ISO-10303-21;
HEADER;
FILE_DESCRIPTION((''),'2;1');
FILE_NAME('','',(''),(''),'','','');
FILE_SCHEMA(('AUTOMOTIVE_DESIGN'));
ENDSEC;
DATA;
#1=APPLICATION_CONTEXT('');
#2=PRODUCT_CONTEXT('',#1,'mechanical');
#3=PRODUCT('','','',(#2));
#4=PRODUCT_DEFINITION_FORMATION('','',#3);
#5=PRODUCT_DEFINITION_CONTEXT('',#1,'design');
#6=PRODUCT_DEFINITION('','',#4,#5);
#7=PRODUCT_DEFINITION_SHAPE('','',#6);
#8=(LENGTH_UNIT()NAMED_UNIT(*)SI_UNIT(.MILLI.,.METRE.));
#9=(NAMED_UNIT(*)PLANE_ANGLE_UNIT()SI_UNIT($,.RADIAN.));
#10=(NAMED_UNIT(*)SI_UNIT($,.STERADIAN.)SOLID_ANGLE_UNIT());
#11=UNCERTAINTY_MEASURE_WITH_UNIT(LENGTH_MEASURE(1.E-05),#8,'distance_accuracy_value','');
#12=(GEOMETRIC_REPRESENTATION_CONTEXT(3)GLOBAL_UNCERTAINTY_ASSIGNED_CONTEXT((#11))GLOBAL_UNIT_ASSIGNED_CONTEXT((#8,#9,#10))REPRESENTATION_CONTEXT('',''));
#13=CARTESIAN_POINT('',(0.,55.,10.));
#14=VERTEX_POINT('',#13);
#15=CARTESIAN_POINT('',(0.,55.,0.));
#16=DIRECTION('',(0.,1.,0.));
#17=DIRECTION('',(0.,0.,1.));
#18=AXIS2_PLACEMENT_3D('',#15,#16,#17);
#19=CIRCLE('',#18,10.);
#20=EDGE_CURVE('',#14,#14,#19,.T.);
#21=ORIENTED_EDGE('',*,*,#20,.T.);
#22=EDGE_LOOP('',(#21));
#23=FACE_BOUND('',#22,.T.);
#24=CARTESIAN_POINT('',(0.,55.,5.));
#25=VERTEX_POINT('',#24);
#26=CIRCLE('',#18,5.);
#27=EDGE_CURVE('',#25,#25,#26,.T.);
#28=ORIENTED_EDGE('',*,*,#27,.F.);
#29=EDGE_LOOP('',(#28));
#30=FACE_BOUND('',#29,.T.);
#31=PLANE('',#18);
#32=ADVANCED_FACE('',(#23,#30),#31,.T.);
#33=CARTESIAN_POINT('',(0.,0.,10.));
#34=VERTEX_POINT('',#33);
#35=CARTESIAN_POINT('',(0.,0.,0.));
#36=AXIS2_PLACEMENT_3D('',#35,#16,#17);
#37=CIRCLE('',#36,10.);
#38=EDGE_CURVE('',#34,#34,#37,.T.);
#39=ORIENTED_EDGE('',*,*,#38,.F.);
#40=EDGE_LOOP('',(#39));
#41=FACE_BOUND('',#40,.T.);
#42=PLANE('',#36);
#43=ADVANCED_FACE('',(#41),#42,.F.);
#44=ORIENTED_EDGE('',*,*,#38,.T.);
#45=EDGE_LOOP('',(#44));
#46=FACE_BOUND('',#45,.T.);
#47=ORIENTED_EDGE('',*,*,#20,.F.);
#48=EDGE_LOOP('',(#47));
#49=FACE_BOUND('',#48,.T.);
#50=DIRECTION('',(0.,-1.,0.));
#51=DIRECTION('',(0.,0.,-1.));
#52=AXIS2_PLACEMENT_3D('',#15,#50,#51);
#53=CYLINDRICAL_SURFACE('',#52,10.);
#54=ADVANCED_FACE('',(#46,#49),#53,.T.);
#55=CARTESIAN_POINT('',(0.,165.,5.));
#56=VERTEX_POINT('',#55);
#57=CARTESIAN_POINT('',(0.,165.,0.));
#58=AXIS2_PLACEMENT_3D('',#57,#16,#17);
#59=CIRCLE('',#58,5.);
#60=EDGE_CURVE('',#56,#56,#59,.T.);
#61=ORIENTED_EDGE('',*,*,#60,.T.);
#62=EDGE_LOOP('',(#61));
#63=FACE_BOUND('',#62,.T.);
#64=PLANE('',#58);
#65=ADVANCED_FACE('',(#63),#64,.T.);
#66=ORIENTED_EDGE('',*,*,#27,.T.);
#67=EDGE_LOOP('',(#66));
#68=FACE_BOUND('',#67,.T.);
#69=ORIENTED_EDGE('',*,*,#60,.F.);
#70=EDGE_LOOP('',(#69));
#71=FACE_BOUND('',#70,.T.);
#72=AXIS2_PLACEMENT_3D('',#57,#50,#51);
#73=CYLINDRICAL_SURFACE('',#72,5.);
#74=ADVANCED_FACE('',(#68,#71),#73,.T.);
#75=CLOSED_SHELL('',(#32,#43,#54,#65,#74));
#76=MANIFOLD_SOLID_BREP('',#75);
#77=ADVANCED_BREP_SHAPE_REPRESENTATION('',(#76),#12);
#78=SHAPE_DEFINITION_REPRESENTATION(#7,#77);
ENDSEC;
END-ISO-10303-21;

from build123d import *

# Parameters (mm, degrees)
SKETCH1_R           = 10
BOSS_EXTRUDE1_DEPTH = 55
SKETCH2_R           = 5
BOSS_EXTRUDE2_DEPTH = 110


with BuildPart() as part:
    # Sketch1 → Boss-Extrude1 (new body)
    with BuildSketch(Plane(origin=(0, 0, 0), x_dir=(1, 0, 0), z_dir=(0, 1, 0))):
        Circle(SKETCH1_R)
    extrude(amount=BOSS_EXTRUDE1_DEPTH)

    # Sketch2 → Boss-Extrude2 (add)
    with BuildSketch(Plane(origin=(0, 55, 0), x_dir=(1, 0, 0), z_dir=(0, 1, 0))):
        Circle(SKETCH2_R)
    extrude(amount=BOSS_EXTRUDE2_DEPTH)


solid = part.part
